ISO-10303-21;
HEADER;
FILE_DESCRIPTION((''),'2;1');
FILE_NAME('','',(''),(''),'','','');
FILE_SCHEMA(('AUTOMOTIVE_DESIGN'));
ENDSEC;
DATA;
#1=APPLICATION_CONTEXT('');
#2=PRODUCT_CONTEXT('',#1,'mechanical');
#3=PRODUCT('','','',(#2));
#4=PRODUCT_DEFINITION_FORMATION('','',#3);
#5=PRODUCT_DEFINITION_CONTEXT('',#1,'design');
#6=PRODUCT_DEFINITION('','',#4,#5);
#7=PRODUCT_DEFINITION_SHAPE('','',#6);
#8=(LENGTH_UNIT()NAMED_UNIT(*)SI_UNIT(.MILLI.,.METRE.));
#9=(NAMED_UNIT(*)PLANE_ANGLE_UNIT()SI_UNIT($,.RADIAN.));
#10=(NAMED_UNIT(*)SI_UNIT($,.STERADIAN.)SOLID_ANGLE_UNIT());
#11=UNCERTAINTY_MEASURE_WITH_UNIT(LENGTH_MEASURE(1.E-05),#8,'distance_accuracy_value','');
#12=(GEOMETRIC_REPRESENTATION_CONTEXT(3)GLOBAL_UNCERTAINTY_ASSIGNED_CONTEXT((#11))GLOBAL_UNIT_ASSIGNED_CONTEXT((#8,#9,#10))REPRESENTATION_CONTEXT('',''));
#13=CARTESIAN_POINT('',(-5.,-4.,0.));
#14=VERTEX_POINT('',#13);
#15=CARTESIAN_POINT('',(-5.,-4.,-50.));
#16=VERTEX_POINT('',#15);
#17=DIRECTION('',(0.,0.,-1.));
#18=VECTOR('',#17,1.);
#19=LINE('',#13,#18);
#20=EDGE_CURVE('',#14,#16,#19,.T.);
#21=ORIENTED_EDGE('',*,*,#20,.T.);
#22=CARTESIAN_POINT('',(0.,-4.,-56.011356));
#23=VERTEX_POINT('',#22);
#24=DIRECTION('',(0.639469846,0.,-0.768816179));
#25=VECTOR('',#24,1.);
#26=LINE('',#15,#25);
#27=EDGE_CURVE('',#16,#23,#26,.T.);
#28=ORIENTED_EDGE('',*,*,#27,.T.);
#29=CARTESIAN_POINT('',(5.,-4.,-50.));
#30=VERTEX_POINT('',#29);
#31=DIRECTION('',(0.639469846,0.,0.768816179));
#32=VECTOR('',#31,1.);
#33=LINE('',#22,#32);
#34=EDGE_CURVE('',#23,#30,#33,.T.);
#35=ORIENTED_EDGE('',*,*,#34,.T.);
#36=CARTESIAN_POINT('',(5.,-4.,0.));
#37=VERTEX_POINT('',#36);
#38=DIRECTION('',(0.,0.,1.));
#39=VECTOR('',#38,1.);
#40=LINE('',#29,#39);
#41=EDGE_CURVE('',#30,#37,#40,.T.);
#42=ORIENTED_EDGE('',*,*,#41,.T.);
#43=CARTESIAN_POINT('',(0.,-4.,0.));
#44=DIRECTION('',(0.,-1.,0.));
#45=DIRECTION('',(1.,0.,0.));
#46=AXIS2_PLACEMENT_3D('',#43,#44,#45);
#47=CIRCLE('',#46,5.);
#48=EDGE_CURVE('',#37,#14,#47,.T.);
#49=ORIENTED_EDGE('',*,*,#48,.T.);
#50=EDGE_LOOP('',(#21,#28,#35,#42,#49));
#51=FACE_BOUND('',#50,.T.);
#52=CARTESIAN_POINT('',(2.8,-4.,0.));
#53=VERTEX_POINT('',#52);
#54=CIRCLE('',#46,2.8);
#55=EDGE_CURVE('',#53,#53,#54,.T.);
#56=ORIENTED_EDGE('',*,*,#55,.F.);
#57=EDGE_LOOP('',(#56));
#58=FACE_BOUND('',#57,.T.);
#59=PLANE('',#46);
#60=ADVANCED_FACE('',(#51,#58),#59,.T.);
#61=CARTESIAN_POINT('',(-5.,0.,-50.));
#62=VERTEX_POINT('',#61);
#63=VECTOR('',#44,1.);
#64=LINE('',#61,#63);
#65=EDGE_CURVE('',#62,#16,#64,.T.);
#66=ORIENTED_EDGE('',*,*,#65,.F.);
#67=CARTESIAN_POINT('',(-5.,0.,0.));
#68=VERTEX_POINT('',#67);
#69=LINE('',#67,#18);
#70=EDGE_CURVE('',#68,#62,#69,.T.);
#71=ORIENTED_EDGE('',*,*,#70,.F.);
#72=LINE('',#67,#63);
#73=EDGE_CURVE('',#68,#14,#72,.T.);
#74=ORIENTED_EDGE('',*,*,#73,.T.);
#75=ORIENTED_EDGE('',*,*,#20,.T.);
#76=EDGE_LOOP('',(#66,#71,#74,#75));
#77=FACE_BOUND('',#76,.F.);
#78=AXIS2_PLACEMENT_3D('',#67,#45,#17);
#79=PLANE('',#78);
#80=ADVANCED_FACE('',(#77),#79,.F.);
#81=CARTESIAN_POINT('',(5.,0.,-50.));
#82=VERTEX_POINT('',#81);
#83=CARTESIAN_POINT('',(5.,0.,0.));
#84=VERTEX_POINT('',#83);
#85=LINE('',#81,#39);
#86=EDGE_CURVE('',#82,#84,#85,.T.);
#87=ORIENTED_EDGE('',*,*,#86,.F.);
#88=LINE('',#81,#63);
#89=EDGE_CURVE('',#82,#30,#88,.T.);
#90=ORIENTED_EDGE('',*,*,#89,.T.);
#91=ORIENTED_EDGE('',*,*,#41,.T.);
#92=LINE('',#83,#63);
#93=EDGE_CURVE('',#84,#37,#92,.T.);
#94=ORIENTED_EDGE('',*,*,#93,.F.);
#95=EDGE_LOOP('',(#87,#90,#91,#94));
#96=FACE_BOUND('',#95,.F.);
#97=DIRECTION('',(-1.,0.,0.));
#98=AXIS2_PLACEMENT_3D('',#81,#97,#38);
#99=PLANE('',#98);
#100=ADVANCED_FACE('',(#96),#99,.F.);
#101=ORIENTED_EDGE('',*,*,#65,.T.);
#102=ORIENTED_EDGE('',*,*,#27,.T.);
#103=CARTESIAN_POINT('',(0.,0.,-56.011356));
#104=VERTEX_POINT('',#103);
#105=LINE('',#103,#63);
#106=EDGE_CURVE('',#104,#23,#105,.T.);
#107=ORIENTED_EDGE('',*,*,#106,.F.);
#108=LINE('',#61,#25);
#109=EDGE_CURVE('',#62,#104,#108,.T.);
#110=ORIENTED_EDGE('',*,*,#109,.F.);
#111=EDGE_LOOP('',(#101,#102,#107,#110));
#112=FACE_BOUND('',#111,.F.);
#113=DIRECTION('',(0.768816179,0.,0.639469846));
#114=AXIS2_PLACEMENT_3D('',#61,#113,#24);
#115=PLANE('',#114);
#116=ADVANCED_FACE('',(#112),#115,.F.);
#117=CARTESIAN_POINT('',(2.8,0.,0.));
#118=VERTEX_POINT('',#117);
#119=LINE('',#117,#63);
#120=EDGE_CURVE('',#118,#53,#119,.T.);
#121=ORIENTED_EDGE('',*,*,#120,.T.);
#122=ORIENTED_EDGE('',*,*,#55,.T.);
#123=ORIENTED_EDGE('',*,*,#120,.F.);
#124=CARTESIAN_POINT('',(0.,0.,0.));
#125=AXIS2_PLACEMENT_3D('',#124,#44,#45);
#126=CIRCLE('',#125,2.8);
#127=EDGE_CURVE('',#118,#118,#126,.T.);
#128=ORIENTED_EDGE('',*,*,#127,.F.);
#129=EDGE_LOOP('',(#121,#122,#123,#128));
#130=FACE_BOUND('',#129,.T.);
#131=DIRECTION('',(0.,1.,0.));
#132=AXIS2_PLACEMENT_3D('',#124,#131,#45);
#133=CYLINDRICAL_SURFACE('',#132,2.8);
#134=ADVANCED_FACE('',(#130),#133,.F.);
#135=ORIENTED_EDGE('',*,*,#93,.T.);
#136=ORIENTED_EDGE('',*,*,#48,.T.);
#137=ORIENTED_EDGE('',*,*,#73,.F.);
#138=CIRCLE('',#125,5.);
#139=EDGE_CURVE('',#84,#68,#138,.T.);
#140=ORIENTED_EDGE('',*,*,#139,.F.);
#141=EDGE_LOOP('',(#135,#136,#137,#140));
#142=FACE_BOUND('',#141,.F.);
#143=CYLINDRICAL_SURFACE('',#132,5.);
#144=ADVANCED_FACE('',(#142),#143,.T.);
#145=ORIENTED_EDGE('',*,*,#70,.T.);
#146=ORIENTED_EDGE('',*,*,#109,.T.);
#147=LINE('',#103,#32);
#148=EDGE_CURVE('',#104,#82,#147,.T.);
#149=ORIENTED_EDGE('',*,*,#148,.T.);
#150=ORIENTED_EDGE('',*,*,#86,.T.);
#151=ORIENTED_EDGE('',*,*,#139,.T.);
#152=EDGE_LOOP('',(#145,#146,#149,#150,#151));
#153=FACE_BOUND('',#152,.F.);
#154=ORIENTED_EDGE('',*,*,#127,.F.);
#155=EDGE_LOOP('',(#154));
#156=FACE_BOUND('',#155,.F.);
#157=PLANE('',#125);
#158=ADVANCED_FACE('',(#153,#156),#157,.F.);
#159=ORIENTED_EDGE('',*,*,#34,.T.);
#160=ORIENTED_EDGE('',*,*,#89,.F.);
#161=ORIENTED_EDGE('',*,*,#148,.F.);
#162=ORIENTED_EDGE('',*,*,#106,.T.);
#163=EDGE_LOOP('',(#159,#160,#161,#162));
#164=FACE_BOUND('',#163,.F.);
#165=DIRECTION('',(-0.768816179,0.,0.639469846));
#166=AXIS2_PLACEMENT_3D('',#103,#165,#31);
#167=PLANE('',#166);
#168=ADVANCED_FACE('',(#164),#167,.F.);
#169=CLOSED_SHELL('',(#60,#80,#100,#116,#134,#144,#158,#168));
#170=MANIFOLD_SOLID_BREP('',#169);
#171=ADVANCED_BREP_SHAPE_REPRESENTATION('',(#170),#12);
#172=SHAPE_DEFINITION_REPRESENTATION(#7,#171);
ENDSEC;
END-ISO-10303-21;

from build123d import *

# Parameters (mm, degrees)
F0_R     = 2.8
F1_DEPTH = 4


with BuildPart() as f1:
    # F0 (on Front) → F1 (new body)
    with BuildSketch(Plane.XZ):
        with BuildLine():
            ThreePointArc((-5, 0), (0, -5), (5, 0))
            ThreePointArc((5, 0), (0, 5), (-5, 0))
        make_face()
        Circle(F0_R, mode=Mode.SUBTRACT)
        with BuildLine():
            Line((5, -50), (5, 0))
            ThreePointArc((5, 0), (0, -5), (-5, 0))
            Line((-5, 0), (-5, -50))
            Line((-5, -50), (0, -56.011356))
            Line((0, -56.011356), (5, -50))
        make_face()
    extrude(amount=F1_DEPTH)


solid = f1.part
